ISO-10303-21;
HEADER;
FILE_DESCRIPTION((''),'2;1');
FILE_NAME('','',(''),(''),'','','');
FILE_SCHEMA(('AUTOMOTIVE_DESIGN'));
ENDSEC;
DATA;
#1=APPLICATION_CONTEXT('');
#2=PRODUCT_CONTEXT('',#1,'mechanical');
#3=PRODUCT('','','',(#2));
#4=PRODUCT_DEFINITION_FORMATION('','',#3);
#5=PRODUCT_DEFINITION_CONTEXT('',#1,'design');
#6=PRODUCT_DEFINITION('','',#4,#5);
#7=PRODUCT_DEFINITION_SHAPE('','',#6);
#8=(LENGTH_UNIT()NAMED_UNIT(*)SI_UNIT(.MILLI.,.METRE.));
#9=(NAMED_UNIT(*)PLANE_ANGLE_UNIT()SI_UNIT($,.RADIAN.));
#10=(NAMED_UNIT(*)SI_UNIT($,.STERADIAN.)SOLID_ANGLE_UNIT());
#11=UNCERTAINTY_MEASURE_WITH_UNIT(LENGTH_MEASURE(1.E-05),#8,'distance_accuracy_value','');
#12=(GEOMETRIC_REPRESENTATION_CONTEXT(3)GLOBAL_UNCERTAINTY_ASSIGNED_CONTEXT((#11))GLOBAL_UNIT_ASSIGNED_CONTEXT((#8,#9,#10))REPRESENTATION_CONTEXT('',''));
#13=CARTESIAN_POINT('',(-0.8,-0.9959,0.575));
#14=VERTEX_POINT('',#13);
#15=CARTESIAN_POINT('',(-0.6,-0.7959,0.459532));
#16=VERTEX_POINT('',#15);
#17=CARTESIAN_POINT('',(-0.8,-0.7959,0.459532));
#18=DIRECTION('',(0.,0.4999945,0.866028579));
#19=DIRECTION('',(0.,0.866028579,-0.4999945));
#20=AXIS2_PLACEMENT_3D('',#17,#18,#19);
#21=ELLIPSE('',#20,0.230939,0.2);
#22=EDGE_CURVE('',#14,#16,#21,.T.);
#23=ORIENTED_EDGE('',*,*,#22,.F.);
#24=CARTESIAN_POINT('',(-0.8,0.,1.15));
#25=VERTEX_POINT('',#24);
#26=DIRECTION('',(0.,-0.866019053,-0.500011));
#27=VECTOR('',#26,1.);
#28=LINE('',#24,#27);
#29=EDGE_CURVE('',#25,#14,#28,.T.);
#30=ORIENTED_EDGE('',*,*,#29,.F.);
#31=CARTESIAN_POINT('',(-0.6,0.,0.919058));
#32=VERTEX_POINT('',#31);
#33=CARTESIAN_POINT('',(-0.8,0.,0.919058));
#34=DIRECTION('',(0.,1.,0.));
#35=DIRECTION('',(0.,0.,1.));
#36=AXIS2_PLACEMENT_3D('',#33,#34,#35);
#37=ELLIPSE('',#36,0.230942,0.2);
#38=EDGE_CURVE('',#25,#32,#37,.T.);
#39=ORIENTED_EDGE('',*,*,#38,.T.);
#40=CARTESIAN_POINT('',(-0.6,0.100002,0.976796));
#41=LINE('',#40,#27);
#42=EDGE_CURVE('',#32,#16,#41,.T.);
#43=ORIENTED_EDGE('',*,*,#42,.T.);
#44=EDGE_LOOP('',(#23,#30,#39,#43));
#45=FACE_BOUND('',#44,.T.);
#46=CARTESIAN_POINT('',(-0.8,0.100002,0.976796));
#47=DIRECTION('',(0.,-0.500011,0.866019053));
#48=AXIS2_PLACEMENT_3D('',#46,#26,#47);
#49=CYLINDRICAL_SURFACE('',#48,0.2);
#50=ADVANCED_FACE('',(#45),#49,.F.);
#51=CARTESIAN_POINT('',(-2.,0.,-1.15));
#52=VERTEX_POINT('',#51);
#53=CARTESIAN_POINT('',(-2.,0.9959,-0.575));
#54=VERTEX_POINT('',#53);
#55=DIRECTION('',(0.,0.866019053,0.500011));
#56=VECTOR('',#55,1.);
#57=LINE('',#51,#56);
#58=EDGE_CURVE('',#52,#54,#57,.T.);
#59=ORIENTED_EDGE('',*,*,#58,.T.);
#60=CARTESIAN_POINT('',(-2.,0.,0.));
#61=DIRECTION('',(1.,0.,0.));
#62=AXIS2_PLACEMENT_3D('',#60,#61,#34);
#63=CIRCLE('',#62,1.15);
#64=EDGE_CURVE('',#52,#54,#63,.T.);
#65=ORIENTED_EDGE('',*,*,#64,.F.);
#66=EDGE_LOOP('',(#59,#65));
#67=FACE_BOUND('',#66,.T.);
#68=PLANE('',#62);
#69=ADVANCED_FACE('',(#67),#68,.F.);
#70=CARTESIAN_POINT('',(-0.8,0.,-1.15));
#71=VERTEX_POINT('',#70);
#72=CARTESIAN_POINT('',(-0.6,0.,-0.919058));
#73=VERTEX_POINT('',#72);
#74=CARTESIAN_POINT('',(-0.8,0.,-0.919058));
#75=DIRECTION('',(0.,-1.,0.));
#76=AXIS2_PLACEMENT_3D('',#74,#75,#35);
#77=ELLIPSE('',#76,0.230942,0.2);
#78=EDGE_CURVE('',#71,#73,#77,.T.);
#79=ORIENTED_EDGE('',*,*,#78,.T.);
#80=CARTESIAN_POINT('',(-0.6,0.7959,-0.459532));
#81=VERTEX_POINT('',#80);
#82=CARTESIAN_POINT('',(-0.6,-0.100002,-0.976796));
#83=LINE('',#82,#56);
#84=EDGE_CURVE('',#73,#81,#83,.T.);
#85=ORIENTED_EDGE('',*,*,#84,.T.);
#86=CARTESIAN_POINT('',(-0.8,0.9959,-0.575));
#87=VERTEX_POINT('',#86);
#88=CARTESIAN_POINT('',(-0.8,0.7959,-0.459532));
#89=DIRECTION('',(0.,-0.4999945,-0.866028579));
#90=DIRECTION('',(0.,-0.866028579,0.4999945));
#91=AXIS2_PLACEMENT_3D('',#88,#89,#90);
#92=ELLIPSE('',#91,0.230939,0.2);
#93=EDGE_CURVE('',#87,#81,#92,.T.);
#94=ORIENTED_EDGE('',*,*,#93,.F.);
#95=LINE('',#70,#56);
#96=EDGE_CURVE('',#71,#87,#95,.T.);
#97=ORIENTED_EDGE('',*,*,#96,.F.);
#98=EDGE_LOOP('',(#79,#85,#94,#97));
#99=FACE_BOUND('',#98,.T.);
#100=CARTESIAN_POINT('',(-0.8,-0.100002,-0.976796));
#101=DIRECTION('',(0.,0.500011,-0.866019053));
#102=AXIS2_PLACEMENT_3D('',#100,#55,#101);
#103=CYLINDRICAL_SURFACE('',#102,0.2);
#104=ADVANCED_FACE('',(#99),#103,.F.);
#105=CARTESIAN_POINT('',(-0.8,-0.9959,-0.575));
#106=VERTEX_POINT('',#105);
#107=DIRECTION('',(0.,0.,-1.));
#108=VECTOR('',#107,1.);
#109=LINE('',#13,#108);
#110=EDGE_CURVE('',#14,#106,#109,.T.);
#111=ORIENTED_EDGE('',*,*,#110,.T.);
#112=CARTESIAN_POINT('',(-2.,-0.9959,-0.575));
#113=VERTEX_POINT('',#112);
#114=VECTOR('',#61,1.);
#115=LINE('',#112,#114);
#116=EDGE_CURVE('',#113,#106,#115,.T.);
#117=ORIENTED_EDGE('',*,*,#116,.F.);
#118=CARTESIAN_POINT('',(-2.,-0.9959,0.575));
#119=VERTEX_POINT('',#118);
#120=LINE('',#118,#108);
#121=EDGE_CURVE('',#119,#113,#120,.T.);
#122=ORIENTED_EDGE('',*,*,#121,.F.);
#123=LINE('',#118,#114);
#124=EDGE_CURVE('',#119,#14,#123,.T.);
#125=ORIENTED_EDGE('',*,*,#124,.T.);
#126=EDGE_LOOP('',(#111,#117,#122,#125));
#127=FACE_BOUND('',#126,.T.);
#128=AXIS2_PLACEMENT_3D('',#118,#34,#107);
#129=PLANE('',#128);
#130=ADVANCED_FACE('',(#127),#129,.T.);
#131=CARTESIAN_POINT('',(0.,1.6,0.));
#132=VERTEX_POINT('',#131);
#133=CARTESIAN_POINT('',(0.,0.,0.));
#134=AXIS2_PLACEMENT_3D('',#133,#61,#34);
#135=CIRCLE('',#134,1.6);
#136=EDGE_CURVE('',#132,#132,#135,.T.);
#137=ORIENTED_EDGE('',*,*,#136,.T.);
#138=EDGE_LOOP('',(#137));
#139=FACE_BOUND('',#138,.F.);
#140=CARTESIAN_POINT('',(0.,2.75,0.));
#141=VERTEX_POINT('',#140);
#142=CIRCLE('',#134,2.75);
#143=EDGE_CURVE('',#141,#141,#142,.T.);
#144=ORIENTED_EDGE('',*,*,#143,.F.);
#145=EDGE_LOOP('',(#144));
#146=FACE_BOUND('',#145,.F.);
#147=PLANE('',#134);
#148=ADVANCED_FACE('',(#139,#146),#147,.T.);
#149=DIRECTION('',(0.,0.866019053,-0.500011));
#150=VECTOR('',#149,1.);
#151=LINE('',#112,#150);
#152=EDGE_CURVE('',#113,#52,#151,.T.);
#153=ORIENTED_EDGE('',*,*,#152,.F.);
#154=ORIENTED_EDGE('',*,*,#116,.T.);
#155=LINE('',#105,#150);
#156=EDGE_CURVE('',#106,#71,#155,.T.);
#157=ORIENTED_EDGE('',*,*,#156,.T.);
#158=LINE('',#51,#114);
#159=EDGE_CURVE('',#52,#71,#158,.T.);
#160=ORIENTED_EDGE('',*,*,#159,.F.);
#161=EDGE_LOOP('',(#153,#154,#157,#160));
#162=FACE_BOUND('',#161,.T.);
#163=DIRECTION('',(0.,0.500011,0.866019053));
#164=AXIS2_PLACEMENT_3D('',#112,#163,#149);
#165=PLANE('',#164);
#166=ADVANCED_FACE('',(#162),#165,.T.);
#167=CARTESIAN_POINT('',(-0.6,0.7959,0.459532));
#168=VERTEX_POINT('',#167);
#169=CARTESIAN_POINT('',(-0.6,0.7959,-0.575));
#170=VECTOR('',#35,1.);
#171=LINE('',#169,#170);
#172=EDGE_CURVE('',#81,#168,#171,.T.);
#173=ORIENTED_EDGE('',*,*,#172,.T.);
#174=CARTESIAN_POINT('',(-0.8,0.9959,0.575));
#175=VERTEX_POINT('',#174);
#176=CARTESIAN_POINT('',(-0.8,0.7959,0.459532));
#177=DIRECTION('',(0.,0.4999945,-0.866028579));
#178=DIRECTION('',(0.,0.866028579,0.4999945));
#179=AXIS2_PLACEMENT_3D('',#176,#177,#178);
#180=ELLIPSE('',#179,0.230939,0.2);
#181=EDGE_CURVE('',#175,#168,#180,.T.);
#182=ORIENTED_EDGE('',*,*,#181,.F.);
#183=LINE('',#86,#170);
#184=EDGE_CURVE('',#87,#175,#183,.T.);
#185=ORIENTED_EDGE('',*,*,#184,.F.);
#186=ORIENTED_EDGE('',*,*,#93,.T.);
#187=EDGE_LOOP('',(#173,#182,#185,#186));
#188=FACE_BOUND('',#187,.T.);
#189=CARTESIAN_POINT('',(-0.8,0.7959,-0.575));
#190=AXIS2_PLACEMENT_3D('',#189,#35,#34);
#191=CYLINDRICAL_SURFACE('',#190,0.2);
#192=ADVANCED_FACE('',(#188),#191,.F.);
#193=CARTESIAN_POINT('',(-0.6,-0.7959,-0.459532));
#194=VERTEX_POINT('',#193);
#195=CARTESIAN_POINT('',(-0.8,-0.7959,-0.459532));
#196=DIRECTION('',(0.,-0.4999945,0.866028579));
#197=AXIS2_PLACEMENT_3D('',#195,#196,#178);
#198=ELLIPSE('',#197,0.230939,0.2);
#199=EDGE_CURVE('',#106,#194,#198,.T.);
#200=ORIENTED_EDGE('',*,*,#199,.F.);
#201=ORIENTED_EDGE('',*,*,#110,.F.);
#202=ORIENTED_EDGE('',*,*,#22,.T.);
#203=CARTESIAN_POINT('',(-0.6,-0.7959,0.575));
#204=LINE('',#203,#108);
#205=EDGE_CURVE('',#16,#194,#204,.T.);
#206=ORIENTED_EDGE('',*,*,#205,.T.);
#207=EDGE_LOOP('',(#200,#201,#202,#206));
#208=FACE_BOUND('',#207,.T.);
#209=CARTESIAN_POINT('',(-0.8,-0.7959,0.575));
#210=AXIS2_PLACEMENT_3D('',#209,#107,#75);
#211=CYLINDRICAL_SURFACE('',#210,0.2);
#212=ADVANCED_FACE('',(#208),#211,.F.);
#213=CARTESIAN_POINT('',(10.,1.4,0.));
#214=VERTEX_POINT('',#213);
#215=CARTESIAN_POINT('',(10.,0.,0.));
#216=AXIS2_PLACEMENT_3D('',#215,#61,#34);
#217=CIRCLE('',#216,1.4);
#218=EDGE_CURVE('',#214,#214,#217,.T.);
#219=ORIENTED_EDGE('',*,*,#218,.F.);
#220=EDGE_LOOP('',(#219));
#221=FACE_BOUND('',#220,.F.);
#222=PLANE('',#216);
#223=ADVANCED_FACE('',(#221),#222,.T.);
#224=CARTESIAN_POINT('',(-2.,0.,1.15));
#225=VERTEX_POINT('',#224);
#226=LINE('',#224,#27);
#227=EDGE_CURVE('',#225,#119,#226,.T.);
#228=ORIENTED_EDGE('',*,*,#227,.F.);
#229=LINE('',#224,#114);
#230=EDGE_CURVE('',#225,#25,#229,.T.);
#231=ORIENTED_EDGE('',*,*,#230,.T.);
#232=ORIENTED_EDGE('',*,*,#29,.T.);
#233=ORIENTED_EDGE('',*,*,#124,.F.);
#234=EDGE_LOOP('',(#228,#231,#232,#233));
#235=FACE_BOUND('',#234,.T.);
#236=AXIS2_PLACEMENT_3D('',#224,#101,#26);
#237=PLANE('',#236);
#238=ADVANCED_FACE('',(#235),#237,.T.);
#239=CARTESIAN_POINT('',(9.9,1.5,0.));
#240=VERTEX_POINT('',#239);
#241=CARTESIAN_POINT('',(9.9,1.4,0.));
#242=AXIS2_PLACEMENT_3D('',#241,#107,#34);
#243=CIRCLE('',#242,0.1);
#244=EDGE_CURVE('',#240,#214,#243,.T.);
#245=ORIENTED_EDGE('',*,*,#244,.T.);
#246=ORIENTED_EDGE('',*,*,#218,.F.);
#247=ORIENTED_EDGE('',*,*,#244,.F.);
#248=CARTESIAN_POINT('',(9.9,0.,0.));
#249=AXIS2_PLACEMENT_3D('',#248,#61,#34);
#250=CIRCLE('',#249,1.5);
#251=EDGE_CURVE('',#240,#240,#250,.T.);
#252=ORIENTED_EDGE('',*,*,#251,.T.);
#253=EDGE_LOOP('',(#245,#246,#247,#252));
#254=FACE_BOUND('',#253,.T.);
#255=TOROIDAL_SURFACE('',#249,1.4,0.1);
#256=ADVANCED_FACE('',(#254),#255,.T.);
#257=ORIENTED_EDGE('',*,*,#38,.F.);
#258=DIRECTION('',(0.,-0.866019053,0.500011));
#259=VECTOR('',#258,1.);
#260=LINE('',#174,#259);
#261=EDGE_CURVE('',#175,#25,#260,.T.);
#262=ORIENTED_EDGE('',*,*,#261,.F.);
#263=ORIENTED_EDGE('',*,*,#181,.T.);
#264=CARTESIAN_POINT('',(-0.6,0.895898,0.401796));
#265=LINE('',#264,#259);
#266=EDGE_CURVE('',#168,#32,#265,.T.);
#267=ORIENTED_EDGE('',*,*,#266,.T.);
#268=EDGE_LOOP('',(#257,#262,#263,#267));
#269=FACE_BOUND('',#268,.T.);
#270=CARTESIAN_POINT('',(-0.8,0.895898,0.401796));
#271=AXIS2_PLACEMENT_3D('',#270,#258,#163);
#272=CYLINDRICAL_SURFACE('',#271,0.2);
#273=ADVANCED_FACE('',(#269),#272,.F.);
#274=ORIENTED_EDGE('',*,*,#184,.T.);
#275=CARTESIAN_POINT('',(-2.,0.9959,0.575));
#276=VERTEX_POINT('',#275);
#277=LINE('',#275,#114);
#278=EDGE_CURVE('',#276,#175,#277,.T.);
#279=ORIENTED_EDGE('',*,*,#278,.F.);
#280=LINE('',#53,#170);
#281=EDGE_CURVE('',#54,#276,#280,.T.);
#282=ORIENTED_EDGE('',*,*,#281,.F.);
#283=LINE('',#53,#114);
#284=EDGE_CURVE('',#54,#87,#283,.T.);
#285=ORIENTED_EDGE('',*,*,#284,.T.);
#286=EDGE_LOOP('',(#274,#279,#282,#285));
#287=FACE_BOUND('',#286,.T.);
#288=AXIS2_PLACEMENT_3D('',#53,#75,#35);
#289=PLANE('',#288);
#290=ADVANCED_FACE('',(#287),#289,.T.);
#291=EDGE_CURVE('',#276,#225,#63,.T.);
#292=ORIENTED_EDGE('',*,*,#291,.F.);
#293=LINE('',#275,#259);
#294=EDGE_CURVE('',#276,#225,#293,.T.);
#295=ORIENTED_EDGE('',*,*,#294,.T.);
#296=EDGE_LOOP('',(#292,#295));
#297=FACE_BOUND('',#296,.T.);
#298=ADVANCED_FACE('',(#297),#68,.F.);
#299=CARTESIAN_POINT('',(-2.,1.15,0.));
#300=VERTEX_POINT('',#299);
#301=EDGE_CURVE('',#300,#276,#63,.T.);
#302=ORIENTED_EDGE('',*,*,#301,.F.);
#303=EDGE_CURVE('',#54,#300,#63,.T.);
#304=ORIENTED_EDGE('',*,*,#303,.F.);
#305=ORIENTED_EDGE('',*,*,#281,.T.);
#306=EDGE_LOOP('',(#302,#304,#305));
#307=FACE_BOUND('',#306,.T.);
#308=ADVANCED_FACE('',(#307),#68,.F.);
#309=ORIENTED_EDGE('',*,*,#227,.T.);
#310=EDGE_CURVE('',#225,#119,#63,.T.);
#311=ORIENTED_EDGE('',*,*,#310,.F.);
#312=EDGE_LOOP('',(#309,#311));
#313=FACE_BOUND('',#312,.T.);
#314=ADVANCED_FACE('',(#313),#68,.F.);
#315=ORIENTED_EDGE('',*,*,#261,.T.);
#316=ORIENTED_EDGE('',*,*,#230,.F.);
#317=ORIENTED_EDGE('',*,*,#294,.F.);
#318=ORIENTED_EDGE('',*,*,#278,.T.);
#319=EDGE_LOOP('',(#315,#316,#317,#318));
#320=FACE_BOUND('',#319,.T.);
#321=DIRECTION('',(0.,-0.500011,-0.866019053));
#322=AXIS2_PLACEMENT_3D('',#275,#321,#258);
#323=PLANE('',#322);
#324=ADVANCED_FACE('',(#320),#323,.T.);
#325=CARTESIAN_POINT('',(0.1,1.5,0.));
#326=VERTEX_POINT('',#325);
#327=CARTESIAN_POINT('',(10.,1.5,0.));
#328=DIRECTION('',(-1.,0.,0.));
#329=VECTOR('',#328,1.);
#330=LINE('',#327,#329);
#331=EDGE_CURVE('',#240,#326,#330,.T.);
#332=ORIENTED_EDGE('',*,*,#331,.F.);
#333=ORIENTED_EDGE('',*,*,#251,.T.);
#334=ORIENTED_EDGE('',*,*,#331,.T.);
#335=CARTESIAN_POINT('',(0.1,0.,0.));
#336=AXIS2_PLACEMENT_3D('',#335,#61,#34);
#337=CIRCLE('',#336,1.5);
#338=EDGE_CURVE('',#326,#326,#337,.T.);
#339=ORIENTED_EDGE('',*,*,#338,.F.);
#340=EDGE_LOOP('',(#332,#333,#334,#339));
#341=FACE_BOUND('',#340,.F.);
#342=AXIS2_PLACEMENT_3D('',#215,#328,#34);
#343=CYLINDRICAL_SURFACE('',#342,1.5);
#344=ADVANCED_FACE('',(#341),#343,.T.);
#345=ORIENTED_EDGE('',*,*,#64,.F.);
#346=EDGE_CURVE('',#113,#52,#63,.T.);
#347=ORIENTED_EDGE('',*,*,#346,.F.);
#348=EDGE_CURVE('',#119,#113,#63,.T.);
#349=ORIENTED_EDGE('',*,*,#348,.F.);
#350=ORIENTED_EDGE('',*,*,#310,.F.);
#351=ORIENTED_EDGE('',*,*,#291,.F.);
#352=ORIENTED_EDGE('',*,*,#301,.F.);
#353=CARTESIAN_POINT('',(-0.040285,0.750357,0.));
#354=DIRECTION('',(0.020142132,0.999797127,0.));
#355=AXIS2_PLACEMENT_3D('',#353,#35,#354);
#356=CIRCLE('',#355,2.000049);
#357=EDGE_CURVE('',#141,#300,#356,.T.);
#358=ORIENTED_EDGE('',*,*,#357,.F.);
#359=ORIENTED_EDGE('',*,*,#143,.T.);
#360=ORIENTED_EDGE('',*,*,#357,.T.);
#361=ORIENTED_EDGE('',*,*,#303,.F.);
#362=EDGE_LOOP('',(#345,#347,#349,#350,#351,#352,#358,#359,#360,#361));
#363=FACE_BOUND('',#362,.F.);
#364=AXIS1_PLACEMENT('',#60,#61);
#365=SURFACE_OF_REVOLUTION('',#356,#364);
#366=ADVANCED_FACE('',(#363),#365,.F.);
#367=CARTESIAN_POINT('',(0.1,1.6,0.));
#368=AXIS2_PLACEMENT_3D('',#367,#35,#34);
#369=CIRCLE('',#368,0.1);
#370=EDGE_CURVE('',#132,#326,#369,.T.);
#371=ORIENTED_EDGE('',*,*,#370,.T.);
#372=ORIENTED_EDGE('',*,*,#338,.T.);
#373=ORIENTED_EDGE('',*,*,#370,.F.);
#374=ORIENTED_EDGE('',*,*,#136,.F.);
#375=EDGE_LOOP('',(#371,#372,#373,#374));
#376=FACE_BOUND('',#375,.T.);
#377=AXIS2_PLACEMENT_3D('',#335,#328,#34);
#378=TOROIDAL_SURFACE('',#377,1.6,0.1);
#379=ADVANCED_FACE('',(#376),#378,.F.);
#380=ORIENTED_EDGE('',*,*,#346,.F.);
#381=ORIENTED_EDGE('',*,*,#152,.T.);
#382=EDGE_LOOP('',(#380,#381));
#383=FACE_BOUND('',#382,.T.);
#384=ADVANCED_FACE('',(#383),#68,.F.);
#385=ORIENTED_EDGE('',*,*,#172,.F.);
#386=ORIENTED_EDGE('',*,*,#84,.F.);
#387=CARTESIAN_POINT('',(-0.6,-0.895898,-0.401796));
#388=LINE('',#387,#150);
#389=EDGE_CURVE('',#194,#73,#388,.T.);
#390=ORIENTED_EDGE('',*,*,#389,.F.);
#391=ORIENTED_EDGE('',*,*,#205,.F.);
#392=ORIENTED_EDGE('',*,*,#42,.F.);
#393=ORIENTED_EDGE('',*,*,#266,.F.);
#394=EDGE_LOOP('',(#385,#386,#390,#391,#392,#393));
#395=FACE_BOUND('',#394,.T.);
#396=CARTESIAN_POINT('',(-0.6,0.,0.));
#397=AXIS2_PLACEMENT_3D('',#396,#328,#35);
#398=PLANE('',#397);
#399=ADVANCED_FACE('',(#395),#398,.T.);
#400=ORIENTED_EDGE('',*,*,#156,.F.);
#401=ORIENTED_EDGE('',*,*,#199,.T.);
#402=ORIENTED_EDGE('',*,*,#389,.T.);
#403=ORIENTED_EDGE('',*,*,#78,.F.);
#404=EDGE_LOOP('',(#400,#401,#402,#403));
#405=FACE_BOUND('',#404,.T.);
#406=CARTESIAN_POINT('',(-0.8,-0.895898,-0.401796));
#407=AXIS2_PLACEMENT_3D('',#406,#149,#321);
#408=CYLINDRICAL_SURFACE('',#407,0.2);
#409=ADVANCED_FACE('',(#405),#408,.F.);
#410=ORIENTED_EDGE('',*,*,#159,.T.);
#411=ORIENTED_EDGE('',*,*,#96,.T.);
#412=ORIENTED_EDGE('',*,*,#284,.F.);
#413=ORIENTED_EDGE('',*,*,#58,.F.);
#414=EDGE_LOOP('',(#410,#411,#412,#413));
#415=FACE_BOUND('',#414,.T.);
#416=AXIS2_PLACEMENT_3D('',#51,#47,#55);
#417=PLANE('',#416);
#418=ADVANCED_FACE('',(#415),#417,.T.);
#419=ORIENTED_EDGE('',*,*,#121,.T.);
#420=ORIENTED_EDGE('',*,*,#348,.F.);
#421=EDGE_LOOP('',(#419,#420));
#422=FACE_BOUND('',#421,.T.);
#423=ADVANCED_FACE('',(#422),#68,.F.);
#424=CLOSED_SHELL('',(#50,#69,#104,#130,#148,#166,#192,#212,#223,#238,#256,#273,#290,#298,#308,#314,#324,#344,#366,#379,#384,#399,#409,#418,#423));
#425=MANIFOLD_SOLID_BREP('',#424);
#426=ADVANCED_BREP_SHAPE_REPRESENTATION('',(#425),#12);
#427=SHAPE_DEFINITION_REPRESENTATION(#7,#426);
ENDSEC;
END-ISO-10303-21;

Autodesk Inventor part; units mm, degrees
ref_plane "YZ Plane" through (0, 0, 0) normal (1, 0, 0) x (0, 1, 0)
ref_plane "XZ Plane" through (0, 0, 0) normal (0, 1, 0) x (-1, 0, 0)
ref_plane "XY Plane" through (0, 0, 0) normal (0, 0, 1) x (1, 0, 0)
sketch "スケッチ1" plane through (0, 0, 0) normal (0, 0, 1) x (1, 0, 0)
  line L0 (0, 0) -> (10, 0)
  line L1 (10, 0) -> (10, 1.5)
  line L2 (10, 1.5) -> (0, 1.5)
  line L3 (0, 1.5) -> (0, 0)
  line L4 (0, 0) -> (0, 2.75)
  line L5 (0, 0) -> (-2, 0)
  line L6 (-2, 0) -> (0, 0)
  line L7 (-2, 0) -> (-2, 1.15)
  arc A0 (0, 2.75) -> (-2, 1.15) centre (-0.0403, 0.7504) ccw
  dimension "d0" = 1.5
  dimension "d1" = 10
  dimension "d3" = 2
  dimension "d4" = 2.75
  dimension "d5" = 1.15
  dimension "d6" = 2
revolve "回転1" add sketch "スケッチ1" angle 360 about axis through (-2, 0, 0) along (1, 0, 0)
thread "ねじ1" size "M3x0.5" class "6g" standard "ANSI Metric M Profile" length 100
sketch "スケッチ2" plane through (-2, 0, 0) normal (-1, 0, 0) x (0, 0, 1)
  circle A0 centre (0, 0) radius 1.15 projected
  line L0 (-0.575, 0.9959) -> (0.575, 0.9959)
  line L1 (0.575, 0.9959) -> (1.15, 0)
  line L2 (1.15, 0) -> (0.575, -0.9959)
  line L3 (0.575, -0.9959) -> (-0.575, -0.9959)
  line L4 (-0.575, -0.9959) -> (-1.15, 0)
  line L5 (-1.15, 0) -> (-0.575, 0.9959)
  dimension "d10" = 1.15
  dimension "d11" = 1.9919
extrude "押し出し1" cut sketch "スケッチ2" against normal blind 1.4 contours L2 L3 L4 L5 L0 L1
fillet "フィレット1" radius 0.2 6 edges at (-0.6, 0.9959, 0) (-0.6, 0.498, 0.8625) (-0.6, 0.498, -0.8625) (-0.6, -0.498, -0.8625) (-0.6, -0.9959, 0) (-0.6, -0.498, 0.8625)
fillet "フィレット2" radius 0.1 1 edges at (0, -1.5, 0)
fillet "フィレット3" radius 0.1 1 edges at (10, -1.5, 0)
properties part number "ネジボタンM3L10" material "鋼"
